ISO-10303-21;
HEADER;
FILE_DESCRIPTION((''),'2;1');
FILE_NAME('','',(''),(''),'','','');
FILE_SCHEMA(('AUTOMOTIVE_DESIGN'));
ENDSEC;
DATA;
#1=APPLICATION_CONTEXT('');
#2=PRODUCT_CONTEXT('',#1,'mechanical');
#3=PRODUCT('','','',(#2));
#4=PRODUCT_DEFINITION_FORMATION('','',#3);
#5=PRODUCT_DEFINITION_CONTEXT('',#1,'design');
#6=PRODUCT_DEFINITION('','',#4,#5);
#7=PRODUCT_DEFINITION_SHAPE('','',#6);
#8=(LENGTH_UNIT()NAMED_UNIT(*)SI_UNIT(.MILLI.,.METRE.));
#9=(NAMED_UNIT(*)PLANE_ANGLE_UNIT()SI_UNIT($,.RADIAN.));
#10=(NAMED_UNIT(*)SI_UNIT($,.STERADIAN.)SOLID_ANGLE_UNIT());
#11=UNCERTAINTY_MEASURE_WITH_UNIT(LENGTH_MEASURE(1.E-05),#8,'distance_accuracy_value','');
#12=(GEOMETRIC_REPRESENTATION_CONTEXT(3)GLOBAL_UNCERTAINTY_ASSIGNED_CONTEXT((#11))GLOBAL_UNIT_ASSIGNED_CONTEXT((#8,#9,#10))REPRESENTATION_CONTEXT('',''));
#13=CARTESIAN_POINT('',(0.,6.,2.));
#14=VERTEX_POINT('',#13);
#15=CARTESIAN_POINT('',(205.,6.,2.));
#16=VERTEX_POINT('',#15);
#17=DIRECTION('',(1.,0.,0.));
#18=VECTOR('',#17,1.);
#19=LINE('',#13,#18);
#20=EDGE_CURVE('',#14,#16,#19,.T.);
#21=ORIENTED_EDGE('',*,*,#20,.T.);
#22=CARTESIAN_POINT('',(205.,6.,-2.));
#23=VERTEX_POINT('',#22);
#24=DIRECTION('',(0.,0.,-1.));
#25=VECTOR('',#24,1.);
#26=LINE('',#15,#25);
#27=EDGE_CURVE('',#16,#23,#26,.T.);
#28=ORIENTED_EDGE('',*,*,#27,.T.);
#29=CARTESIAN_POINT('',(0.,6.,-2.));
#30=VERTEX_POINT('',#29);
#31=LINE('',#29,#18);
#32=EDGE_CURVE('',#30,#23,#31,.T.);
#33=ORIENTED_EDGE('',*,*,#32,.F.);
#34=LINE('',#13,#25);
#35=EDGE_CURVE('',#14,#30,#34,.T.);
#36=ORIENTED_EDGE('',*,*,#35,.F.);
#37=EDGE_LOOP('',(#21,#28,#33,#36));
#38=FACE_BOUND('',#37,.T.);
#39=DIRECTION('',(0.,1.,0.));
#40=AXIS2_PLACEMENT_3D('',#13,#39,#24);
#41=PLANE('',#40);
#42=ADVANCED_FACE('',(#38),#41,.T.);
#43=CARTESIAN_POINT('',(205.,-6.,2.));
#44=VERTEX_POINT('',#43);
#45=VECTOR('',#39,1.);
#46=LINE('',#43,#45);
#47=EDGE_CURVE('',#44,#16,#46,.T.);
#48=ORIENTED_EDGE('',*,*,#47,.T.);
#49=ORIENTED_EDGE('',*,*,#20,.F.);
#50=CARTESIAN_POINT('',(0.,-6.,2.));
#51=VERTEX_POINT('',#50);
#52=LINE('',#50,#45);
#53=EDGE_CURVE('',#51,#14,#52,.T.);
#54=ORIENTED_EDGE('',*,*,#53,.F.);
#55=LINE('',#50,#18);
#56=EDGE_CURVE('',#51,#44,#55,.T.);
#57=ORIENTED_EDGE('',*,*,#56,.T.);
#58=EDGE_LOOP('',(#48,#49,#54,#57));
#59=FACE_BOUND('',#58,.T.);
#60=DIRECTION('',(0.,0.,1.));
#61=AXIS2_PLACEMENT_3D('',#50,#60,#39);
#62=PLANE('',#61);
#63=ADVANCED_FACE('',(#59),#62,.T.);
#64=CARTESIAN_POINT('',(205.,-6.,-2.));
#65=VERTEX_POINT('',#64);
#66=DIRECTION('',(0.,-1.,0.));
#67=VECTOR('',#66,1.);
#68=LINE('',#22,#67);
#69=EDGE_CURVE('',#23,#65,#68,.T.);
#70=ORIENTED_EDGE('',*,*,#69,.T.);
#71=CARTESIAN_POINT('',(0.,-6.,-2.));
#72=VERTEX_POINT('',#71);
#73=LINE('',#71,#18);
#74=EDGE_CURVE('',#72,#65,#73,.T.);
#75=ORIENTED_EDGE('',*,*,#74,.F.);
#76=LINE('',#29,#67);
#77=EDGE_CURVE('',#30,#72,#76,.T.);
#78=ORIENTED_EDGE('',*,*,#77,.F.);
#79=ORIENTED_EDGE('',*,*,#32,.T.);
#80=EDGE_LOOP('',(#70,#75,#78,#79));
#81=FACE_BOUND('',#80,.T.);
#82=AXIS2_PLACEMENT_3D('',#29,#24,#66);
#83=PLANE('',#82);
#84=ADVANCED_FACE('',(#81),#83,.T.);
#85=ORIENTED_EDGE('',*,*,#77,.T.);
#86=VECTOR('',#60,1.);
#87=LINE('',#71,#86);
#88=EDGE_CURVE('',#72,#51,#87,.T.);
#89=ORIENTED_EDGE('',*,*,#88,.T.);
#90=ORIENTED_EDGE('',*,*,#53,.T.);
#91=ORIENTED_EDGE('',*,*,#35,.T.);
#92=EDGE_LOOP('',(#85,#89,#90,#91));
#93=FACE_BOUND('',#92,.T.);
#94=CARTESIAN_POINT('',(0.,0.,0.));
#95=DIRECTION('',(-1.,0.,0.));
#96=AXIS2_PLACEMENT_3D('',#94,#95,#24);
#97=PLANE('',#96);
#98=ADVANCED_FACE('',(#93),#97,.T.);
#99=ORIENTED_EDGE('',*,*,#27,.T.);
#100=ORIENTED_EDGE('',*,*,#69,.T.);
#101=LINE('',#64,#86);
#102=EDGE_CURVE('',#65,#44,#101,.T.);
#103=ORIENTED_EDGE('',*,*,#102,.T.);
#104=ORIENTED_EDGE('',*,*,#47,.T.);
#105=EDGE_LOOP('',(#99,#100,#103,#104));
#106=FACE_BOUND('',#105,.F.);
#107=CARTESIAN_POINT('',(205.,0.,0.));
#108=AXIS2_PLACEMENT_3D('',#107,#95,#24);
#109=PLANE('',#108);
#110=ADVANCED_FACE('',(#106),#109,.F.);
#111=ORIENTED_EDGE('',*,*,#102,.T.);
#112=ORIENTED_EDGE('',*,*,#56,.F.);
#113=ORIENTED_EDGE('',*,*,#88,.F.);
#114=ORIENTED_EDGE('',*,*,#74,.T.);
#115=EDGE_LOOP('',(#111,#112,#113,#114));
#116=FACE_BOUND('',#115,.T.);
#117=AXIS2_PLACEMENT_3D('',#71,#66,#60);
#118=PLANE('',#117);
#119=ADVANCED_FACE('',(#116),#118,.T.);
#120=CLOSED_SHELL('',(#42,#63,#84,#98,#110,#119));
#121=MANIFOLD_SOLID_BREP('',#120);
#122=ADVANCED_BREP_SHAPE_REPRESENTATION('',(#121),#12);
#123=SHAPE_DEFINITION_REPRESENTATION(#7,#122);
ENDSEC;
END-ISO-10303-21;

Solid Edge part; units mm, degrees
sketch "Sketch1" plane through (0, 0, 0) normal (1, 0, 0) x (0, 1, 0)
  line L0 (6, -2) -> (-6, -2)
  line L1 (-6, -2) -> (-6, 2)
  line L2 (-6, 2) -> (6, 2)
  line L3 (6, 2) -> (6, -2)
  dimension "D1" = 12
  dimension "D2" = 4
extrude "Protrusion1" add sketch "Sketch1" along normal blind 205
properties material "木材, アッシュ"
